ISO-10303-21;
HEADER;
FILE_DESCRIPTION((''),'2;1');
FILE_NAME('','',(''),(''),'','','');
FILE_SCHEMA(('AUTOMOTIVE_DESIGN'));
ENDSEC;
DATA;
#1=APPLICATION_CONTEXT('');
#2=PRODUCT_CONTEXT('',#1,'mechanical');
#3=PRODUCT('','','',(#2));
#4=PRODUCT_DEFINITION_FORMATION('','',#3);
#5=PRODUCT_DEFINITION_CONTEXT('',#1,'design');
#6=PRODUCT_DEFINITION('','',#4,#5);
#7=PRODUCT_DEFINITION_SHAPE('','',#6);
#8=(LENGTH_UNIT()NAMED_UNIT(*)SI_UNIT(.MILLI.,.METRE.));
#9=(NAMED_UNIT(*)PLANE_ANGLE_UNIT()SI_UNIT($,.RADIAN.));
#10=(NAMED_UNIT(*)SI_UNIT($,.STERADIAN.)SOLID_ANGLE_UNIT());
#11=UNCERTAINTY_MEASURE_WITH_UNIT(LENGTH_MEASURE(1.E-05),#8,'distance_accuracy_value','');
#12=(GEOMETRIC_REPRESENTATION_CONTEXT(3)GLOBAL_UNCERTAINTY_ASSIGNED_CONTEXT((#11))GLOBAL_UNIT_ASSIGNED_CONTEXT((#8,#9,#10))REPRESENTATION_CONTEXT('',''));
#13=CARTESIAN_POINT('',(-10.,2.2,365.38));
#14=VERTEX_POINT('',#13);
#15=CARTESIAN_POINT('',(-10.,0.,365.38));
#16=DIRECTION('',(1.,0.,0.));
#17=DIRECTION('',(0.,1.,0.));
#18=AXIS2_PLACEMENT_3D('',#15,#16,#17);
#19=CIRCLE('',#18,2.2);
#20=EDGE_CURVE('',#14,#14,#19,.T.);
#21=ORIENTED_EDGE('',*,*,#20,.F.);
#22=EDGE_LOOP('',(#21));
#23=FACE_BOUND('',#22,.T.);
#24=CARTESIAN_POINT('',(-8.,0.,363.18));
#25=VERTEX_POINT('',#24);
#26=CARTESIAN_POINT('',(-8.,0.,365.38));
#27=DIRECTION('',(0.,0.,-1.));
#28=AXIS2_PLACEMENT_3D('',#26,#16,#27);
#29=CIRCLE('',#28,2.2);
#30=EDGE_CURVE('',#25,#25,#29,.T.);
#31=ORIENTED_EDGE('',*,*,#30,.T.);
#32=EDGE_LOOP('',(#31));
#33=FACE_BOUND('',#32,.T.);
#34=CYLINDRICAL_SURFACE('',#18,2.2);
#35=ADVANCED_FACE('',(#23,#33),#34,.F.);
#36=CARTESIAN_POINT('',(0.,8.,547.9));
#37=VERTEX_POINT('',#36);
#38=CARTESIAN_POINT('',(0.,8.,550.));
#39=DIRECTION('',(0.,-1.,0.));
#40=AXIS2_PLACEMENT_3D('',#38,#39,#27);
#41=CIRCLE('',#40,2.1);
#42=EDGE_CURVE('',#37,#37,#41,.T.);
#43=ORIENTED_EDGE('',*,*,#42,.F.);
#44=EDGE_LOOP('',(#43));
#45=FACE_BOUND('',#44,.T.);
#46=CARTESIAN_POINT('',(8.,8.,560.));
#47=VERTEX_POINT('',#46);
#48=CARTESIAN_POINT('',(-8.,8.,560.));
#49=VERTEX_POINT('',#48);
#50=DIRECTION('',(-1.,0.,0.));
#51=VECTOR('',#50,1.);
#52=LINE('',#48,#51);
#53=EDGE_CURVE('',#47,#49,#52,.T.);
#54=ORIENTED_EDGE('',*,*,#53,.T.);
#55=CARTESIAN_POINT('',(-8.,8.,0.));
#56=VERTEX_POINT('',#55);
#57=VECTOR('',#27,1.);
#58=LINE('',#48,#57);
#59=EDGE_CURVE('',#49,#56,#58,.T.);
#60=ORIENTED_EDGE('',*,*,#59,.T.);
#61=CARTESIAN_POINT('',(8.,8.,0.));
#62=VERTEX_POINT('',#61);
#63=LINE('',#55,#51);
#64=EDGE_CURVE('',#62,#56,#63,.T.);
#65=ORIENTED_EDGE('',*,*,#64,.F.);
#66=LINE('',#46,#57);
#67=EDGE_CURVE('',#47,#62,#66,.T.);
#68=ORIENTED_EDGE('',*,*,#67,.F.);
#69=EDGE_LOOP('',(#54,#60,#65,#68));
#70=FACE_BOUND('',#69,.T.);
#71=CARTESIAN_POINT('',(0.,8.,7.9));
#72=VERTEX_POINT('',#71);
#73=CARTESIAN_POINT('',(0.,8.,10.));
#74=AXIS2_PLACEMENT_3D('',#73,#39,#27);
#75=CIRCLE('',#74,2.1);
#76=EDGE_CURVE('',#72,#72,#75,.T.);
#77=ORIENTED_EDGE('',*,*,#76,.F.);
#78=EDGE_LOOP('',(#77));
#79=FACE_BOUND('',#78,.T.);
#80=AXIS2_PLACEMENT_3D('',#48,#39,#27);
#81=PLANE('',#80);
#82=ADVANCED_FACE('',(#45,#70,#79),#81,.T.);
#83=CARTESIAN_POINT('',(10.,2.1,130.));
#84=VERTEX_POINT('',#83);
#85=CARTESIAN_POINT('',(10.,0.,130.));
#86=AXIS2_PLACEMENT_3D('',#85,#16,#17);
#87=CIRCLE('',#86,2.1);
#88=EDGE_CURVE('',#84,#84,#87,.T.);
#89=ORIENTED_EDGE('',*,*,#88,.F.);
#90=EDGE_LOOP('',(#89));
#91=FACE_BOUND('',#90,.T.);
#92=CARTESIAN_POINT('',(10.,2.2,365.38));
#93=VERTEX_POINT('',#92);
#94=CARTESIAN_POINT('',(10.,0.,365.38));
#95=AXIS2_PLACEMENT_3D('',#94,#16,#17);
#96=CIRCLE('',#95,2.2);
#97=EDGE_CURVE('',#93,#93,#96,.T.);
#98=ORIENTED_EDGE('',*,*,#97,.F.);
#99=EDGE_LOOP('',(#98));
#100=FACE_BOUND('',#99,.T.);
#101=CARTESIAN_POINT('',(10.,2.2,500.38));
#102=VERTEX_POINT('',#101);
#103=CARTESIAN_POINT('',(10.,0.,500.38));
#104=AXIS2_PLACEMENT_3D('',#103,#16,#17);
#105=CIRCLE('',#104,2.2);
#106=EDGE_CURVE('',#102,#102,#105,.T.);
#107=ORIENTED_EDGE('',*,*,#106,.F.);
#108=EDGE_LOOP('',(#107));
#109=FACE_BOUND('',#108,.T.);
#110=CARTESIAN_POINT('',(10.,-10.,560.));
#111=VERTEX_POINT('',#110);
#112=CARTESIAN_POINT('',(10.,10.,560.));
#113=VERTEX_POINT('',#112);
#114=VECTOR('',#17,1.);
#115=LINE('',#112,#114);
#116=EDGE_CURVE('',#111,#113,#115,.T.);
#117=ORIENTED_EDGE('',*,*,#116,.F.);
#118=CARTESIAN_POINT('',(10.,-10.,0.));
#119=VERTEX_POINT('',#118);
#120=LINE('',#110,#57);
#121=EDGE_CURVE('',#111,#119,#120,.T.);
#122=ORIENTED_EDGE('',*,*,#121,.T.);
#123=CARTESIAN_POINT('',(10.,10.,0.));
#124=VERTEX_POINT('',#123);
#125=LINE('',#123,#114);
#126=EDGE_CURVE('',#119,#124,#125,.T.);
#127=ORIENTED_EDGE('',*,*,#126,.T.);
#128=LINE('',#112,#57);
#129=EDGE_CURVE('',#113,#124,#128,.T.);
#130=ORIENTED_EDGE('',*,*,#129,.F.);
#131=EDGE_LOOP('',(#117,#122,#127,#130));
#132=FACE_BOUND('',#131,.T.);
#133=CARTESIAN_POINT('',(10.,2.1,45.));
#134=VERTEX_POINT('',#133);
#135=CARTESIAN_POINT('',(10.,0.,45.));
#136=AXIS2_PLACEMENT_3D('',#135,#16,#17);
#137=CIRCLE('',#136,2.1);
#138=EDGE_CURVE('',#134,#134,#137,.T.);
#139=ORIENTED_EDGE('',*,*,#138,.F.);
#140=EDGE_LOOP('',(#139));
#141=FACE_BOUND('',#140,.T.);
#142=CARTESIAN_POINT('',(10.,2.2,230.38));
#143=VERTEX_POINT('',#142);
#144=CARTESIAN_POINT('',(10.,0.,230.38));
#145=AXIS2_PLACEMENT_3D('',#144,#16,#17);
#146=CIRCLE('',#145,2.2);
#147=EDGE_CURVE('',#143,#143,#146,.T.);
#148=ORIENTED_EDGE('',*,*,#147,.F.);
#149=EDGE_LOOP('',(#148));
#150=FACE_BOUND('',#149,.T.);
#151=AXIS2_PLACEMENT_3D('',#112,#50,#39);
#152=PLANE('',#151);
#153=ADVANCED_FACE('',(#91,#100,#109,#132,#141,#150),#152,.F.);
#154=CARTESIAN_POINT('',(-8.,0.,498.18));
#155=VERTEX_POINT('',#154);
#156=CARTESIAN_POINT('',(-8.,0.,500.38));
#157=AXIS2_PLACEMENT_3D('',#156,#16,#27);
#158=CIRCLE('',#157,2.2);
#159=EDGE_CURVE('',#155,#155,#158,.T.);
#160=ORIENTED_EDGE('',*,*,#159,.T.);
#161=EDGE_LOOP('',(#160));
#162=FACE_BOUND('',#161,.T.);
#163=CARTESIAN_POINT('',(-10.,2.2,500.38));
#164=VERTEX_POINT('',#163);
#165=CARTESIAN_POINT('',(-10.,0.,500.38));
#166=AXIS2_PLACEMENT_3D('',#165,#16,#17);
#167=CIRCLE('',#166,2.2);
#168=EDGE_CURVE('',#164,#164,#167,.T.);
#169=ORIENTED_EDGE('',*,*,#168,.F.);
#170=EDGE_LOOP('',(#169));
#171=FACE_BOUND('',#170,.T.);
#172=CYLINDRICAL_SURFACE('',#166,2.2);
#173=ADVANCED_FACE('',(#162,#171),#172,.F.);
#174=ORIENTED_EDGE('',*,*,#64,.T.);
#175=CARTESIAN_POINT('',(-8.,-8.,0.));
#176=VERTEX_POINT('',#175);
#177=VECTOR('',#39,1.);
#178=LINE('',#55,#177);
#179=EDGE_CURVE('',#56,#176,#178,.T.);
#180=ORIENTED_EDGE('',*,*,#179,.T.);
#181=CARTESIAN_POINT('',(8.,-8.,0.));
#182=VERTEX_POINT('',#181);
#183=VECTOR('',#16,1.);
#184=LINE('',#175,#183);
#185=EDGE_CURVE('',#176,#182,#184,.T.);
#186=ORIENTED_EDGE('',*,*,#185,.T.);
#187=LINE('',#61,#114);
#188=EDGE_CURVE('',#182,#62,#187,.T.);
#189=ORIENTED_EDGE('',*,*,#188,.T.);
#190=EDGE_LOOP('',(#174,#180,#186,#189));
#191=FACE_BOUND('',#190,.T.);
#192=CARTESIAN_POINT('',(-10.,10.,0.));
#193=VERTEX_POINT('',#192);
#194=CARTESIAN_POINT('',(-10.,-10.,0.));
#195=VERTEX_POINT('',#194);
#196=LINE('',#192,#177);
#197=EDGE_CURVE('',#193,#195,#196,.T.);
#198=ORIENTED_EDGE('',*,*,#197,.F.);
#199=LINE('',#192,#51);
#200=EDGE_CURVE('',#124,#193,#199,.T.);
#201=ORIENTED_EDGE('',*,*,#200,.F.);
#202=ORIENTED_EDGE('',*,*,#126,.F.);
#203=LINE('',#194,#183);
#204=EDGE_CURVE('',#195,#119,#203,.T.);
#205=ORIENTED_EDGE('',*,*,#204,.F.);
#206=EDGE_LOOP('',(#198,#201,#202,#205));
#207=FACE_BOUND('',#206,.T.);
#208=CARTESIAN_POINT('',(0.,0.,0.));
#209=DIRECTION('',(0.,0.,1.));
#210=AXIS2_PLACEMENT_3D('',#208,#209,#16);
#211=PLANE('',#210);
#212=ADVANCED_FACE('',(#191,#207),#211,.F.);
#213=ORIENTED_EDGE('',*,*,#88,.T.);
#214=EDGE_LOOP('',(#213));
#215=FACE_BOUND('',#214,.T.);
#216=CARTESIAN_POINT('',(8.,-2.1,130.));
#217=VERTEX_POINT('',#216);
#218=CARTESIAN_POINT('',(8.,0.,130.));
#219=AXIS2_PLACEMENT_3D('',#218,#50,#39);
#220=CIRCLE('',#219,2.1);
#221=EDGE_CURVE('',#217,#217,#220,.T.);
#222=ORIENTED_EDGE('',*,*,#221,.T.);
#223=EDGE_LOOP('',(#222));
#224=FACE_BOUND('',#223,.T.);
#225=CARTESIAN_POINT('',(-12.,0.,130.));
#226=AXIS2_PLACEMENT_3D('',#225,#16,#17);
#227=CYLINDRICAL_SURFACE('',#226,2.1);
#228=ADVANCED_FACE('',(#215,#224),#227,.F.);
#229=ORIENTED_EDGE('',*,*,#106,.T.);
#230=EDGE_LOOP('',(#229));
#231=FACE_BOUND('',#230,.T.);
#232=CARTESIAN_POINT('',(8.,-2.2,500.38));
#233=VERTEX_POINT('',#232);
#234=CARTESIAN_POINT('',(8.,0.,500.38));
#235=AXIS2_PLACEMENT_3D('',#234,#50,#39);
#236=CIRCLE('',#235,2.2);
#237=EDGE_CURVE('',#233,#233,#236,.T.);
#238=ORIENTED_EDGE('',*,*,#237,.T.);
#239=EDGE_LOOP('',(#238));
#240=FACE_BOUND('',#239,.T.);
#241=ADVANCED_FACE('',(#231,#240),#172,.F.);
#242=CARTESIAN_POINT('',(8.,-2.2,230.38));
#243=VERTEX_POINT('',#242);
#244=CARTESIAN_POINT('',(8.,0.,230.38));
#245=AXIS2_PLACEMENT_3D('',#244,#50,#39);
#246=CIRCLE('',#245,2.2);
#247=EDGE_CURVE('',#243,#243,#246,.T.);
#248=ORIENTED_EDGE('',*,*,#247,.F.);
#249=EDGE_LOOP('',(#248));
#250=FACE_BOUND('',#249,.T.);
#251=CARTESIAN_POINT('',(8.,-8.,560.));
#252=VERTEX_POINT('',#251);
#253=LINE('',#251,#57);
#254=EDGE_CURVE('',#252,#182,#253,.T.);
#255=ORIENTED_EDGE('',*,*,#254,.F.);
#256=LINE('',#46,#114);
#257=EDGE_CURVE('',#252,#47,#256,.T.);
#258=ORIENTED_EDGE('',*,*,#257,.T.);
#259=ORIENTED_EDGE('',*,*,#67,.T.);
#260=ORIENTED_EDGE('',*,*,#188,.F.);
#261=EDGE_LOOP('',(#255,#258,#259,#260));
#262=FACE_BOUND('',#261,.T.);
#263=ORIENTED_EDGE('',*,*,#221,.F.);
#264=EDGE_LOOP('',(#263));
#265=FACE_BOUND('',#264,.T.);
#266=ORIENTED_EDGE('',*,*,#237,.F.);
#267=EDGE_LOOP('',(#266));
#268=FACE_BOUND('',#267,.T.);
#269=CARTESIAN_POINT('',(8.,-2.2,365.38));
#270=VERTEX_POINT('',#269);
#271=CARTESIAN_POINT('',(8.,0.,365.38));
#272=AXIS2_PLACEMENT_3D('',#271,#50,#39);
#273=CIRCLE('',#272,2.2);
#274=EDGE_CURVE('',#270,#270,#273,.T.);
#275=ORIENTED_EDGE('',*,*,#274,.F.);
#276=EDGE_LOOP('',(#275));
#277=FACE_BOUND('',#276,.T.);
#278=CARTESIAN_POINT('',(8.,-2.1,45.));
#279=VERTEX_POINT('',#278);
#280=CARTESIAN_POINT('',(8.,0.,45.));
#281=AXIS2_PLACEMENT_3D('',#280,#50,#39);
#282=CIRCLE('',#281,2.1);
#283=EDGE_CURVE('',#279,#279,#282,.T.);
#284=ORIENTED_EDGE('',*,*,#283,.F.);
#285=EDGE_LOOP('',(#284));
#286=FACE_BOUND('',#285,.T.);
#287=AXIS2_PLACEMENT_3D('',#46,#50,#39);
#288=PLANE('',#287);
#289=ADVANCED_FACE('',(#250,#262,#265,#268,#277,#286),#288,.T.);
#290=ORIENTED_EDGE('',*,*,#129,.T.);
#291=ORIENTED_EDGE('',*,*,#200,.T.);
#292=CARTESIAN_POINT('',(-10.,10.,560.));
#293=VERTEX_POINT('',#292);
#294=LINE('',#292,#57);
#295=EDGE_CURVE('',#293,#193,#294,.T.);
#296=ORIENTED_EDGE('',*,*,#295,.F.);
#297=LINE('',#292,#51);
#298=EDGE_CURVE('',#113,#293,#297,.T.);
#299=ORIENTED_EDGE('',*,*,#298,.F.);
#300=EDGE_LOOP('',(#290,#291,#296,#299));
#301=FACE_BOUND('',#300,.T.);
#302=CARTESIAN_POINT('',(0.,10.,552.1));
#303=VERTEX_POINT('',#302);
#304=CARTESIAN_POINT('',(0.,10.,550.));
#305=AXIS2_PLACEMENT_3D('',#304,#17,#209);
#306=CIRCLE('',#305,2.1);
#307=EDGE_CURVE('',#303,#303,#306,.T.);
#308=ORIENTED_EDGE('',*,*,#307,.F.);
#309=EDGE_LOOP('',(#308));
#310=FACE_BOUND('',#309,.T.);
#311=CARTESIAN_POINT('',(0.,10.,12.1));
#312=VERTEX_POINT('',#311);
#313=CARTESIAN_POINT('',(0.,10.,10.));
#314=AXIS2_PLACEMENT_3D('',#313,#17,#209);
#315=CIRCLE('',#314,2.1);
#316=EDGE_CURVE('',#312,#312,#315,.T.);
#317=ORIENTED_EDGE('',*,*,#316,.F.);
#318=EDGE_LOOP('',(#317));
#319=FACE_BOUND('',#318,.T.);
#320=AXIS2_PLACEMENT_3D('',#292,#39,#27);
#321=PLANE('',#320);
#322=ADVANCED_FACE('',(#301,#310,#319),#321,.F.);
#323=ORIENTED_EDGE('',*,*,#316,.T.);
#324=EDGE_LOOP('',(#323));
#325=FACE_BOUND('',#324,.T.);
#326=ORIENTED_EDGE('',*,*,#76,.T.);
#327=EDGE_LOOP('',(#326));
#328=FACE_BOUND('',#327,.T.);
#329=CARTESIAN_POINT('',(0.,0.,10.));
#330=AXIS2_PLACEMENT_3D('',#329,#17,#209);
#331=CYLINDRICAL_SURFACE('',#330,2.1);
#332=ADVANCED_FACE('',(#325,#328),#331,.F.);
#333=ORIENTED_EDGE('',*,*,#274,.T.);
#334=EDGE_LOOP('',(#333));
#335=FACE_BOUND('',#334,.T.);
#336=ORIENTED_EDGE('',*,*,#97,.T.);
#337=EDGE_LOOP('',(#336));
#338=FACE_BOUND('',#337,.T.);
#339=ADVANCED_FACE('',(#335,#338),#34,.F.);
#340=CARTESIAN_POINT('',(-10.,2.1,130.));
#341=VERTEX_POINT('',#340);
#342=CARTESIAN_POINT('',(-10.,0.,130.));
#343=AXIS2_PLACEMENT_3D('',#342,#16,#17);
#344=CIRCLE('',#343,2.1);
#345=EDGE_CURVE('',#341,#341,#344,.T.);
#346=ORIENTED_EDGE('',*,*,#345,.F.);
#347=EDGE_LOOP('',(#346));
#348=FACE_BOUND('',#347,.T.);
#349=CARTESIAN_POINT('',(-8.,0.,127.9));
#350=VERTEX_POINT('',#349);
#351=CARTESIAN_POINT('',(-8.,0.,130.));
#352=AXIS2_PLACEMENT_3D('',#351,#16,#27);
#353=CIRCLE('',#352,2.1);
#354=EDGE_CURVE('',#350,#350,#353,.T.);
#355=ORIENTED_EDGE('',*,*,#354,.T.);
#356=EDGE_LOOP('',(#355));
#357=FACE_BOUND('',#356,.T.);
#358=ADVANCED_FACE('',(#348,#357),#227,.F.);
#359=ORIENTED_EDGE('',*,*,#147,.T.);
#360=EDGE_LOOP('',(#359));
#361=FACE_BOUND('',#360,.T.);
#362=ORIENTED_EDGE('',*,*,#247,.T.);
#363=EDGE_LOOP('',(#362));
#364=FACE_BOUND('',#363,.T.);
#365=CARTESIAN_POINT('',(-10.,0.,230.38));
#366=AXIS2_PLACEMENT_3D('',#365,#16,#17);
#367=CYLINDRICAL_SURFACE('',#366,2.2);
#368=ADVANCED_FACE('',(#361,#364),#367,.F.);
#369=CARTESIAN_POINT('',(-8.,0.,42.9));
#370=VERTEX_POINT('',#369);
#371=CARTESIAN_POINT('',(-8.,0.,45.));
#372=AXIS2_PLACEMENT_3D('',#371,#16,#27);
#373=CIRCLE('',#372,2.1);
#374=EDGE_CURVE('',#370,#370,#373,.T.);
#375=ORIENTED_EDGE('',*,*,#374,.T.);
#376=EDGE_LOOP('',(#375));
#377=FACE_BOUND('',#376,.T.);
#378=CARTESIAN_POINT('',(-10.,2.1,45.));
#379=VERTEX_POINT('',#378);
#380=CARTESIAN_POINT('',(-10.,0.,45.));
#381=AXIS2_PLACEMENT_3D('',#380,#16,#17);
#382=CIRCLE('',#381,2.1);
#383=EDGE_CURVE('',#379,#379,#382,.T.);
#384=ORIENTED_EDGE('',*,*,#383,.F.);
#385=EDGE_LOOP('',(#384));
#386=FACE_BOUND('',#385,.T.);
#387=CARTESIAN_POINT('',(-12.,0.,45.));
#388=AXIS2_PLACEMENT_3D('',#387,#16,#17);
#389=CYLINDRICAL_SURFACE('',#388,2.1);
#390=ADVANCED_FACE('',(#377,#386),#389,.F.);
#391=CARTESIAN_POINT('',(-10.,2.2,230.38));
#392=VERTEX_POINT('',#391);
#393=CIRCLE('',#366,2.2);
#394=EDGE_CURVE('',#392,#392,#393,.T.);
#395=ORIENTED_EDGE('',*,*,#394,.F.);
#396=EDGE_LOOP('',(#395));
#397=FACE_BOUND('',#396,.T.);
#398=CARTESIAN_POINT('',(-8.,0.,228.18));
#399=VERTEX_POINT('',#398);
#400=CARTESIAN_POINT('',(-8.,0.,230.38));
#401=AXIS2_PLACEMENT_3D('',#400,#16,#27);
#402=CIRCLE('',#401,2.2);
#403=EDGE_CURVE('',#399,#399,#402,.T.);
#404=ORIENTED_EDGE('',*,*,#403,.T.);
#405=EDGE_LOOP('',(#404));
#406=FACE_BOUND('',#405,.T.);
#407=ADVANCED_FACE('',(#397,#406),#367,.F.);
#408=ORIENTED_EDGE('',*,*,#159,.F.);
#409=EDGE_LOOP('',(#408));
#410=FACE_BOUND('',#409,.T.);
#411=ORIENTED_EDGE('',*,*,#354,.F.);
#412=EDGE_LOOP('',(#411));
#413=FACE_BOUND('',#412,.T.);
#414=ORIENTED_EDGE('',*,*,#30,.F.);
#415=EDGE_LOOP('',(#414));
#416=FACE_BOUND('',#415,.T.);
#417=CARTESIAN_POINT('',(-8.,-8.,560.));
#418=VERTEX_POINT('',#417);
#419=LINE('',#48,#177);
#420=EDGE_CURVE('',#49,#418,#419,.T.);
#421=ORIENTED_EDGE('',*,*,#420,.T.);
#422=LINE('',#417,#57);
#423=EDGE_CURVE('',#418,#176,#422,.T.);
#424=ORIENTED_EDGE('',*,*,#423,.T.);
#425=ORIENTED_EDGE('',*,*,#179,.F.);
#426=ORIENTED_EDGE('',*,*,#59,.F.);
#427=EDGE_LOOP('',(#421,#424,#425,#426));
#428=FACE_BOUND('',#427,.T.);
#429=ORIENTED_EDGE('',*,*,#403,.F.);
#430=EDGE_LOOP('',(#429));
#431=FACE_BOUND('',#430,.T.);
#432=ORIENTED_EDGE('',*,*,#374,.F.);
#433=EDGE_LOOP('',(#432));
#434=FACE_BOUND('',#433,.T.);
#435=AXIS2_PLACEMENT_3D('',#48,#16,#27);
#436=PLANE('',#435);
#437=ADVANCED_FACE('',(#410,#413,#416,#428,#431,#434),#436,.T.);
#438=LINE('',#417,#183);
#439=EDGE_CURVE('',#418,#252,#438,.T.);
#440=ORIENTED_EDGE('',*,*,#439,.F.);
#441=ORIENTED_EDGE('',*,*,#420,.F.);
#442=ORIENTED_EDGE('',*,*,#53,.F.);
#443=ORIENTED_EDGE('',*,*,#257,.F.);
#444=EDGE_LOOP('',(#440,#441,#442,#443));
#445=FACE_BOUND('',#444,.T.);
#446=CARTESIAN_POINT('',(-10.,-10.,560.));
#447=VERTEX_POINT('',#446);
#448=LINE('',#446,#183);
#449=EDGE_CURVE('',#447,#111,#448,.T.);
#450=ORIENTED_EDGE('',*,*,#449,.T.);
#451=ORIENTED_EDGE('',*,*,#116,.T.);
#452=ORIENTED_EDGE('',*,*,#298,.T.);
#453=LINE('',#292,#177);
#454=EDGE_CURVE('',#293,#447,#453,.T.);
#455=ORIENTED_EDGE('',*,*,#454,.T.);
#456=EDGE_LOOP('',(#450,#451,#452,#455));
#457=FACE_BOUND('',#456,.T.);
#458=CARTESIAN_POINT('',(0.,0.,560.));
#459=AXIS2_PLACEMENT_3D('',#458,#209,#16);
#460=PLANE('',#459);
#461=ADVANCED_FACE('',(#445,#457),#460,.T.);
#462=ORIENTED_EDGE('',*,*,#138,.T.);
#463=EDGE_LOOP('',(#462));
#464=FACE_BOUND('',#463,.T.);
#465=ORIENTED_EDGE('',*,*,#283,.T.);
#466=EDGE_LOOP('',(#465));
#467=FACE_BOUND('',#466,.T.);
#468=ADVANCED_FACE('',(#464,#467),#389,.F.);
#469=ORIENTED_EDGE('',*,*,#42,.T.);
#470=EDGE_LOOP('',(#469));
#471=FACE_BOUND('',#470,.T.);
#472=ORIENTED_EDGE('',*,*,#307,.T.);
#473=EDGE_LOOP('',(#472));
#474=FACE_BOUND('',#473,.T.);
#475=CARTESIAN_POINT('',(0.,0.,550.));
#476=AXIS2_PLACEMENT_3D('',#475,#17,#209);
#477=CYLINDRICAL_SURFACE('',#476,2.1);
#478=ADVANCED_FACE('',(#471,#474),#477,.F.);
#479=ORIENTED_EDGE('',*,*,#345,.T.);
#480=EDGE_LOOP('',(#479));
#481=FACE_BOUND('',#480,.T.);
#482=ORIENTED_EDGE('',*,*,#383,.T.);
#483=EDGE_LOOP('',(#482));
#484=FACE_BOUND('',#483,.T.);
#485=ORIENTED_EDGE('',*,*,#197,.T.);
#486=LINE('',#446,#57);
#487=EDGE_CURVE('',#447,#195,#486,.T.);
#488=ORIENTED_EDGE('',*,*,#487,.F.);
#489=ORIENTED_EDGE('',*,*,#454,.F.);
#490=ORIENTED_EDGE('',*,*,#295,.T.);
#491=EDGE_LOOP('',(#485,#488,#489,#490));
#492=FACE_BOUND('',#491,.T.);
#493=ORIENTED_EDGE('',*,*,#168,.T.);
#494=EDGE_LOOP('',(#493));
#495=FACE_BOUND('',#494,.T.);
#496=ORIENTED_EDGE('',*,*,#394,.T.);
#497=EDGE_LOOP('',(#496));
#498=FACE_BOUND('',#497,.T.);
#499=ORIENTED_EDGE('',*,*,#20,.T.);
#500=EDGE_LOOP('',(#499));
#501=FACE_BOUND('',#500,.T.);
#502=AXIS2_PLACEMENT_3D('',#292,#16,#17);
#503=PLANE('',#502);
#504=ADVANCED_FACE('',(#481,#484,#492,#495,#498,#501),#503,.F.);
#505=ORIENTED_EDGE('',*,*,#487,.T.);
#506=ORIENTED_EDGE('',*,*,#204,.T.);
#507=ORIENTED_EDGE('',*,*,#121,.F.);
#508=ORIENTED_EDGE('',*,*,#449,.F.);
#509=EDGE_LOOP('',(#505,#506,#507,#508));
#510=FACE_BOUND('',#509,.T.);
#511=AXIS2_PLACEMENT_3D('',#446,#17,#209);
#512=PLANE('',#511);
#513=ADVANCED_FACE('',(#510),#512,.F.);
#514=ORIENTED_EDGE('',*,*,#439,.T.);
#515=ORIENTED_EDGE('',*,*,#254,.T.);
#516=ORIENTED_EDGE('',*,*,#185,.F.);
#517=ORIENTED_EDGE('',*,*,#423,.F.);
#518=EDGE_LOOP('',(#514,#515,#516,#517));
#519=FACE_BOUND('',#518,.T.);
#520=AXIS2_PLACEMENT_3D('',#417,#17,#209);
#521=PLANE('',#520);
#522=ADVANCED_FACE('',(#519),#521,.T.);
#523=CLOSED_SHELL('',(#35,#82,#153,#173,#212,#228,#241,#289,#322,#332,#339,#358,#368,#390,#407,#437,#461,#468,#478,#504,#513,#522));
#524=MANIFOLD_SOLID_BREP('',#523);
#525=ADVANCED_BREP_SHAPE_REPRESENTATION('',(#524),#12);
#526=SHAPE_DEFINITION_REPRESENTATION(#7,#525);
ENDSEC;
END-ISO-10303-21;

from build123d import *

# Parameters (mm, degrees)
SKETCH_1_W          = 20
SKETCH_1_H          = 20
SKETCH_1_W_2        = 16
SKETCH_1_H_2        = 16
EXTRUDE_1_DEPTH     = 560
SKETCH_2_R          = 2.1
CUT_EXTRUDE_1_DEPTH = 10
SKETCH_4_R          = 2.2
CUT_EXTRUDE_3_DEPTH = 21
SKETCH_5_R          = 2.1
CUT_EXTRUDE_4_DEPTH = 22


with BuildPart() as part:
    # ｽｹｯﾁ1 → ﾎﾞｽ - 押し出し1 (new body)
    with BuildSketch(Plane.XY):
        Rectangle(SKETCH_1_W, SKETCH_1_H)
        Rectangle(SKETCH_1_W_2, SKETCH_1_H_2, mode=Mode.SUBTRACT)
    extrude(amount=EXTRUDE_1_DEPTH)

    # ｽｹｯﾁ2 → ｶｯﾄ - 押し出し1 (cut)
    with BuildSketch(Plane(origin=(0, 10, 0), x_dir=(1, 0, 0), z_dir=(0, 1, 0))):
        with Locations((0, -550)):
            Circle(SKETCH_2_R)
        with Locations((0, -10)):
            Circle(SKETCH_2_R)
    extrude(amount=-CUT_EXTRUDE_1_DEPTH, mode=Mode.SUBTRACT)

    # ｽｹｯﾁ4 → ｶｯﾄ - 押し出し3 (cut, through all)
    with BuildSketch(Plane(origin=(10, 0, 0), x_dir=(0, 0, -1), z_dir=(1, 0, 0))):
        with Locations((-500.38, 0)):
            Circle(SKETCH_4_R)
        with Locations((-365.38, 0)):
            Circle(SKETCH_4_R)
        with Locations((-230.38, 0)):
            Circle(SKETCH_4_R)
    extrude(amount=-CUT_EXTRUDE_3_DEPTH, mode=Mode.SUBTRACT)

    # ｽｹｯﾁ5 → ｶｯﾄ - 押し出し4 (cut)
    with BuildSketch(Plane(origin=(10, 0, 0), x_dir=(0, 0, -1), z_dir=(1, 0, 0))):
        with Locations((-130, 0)):
            Circle(SKETCH_5_R)
        with Locations((-45, 0)):
            Circle(SKETCH_5_R)
    extrude(amount=-CUT_EXTRUDE_4_DEPTH, mode=Mode.SUBTRACT)


solid = part.part
